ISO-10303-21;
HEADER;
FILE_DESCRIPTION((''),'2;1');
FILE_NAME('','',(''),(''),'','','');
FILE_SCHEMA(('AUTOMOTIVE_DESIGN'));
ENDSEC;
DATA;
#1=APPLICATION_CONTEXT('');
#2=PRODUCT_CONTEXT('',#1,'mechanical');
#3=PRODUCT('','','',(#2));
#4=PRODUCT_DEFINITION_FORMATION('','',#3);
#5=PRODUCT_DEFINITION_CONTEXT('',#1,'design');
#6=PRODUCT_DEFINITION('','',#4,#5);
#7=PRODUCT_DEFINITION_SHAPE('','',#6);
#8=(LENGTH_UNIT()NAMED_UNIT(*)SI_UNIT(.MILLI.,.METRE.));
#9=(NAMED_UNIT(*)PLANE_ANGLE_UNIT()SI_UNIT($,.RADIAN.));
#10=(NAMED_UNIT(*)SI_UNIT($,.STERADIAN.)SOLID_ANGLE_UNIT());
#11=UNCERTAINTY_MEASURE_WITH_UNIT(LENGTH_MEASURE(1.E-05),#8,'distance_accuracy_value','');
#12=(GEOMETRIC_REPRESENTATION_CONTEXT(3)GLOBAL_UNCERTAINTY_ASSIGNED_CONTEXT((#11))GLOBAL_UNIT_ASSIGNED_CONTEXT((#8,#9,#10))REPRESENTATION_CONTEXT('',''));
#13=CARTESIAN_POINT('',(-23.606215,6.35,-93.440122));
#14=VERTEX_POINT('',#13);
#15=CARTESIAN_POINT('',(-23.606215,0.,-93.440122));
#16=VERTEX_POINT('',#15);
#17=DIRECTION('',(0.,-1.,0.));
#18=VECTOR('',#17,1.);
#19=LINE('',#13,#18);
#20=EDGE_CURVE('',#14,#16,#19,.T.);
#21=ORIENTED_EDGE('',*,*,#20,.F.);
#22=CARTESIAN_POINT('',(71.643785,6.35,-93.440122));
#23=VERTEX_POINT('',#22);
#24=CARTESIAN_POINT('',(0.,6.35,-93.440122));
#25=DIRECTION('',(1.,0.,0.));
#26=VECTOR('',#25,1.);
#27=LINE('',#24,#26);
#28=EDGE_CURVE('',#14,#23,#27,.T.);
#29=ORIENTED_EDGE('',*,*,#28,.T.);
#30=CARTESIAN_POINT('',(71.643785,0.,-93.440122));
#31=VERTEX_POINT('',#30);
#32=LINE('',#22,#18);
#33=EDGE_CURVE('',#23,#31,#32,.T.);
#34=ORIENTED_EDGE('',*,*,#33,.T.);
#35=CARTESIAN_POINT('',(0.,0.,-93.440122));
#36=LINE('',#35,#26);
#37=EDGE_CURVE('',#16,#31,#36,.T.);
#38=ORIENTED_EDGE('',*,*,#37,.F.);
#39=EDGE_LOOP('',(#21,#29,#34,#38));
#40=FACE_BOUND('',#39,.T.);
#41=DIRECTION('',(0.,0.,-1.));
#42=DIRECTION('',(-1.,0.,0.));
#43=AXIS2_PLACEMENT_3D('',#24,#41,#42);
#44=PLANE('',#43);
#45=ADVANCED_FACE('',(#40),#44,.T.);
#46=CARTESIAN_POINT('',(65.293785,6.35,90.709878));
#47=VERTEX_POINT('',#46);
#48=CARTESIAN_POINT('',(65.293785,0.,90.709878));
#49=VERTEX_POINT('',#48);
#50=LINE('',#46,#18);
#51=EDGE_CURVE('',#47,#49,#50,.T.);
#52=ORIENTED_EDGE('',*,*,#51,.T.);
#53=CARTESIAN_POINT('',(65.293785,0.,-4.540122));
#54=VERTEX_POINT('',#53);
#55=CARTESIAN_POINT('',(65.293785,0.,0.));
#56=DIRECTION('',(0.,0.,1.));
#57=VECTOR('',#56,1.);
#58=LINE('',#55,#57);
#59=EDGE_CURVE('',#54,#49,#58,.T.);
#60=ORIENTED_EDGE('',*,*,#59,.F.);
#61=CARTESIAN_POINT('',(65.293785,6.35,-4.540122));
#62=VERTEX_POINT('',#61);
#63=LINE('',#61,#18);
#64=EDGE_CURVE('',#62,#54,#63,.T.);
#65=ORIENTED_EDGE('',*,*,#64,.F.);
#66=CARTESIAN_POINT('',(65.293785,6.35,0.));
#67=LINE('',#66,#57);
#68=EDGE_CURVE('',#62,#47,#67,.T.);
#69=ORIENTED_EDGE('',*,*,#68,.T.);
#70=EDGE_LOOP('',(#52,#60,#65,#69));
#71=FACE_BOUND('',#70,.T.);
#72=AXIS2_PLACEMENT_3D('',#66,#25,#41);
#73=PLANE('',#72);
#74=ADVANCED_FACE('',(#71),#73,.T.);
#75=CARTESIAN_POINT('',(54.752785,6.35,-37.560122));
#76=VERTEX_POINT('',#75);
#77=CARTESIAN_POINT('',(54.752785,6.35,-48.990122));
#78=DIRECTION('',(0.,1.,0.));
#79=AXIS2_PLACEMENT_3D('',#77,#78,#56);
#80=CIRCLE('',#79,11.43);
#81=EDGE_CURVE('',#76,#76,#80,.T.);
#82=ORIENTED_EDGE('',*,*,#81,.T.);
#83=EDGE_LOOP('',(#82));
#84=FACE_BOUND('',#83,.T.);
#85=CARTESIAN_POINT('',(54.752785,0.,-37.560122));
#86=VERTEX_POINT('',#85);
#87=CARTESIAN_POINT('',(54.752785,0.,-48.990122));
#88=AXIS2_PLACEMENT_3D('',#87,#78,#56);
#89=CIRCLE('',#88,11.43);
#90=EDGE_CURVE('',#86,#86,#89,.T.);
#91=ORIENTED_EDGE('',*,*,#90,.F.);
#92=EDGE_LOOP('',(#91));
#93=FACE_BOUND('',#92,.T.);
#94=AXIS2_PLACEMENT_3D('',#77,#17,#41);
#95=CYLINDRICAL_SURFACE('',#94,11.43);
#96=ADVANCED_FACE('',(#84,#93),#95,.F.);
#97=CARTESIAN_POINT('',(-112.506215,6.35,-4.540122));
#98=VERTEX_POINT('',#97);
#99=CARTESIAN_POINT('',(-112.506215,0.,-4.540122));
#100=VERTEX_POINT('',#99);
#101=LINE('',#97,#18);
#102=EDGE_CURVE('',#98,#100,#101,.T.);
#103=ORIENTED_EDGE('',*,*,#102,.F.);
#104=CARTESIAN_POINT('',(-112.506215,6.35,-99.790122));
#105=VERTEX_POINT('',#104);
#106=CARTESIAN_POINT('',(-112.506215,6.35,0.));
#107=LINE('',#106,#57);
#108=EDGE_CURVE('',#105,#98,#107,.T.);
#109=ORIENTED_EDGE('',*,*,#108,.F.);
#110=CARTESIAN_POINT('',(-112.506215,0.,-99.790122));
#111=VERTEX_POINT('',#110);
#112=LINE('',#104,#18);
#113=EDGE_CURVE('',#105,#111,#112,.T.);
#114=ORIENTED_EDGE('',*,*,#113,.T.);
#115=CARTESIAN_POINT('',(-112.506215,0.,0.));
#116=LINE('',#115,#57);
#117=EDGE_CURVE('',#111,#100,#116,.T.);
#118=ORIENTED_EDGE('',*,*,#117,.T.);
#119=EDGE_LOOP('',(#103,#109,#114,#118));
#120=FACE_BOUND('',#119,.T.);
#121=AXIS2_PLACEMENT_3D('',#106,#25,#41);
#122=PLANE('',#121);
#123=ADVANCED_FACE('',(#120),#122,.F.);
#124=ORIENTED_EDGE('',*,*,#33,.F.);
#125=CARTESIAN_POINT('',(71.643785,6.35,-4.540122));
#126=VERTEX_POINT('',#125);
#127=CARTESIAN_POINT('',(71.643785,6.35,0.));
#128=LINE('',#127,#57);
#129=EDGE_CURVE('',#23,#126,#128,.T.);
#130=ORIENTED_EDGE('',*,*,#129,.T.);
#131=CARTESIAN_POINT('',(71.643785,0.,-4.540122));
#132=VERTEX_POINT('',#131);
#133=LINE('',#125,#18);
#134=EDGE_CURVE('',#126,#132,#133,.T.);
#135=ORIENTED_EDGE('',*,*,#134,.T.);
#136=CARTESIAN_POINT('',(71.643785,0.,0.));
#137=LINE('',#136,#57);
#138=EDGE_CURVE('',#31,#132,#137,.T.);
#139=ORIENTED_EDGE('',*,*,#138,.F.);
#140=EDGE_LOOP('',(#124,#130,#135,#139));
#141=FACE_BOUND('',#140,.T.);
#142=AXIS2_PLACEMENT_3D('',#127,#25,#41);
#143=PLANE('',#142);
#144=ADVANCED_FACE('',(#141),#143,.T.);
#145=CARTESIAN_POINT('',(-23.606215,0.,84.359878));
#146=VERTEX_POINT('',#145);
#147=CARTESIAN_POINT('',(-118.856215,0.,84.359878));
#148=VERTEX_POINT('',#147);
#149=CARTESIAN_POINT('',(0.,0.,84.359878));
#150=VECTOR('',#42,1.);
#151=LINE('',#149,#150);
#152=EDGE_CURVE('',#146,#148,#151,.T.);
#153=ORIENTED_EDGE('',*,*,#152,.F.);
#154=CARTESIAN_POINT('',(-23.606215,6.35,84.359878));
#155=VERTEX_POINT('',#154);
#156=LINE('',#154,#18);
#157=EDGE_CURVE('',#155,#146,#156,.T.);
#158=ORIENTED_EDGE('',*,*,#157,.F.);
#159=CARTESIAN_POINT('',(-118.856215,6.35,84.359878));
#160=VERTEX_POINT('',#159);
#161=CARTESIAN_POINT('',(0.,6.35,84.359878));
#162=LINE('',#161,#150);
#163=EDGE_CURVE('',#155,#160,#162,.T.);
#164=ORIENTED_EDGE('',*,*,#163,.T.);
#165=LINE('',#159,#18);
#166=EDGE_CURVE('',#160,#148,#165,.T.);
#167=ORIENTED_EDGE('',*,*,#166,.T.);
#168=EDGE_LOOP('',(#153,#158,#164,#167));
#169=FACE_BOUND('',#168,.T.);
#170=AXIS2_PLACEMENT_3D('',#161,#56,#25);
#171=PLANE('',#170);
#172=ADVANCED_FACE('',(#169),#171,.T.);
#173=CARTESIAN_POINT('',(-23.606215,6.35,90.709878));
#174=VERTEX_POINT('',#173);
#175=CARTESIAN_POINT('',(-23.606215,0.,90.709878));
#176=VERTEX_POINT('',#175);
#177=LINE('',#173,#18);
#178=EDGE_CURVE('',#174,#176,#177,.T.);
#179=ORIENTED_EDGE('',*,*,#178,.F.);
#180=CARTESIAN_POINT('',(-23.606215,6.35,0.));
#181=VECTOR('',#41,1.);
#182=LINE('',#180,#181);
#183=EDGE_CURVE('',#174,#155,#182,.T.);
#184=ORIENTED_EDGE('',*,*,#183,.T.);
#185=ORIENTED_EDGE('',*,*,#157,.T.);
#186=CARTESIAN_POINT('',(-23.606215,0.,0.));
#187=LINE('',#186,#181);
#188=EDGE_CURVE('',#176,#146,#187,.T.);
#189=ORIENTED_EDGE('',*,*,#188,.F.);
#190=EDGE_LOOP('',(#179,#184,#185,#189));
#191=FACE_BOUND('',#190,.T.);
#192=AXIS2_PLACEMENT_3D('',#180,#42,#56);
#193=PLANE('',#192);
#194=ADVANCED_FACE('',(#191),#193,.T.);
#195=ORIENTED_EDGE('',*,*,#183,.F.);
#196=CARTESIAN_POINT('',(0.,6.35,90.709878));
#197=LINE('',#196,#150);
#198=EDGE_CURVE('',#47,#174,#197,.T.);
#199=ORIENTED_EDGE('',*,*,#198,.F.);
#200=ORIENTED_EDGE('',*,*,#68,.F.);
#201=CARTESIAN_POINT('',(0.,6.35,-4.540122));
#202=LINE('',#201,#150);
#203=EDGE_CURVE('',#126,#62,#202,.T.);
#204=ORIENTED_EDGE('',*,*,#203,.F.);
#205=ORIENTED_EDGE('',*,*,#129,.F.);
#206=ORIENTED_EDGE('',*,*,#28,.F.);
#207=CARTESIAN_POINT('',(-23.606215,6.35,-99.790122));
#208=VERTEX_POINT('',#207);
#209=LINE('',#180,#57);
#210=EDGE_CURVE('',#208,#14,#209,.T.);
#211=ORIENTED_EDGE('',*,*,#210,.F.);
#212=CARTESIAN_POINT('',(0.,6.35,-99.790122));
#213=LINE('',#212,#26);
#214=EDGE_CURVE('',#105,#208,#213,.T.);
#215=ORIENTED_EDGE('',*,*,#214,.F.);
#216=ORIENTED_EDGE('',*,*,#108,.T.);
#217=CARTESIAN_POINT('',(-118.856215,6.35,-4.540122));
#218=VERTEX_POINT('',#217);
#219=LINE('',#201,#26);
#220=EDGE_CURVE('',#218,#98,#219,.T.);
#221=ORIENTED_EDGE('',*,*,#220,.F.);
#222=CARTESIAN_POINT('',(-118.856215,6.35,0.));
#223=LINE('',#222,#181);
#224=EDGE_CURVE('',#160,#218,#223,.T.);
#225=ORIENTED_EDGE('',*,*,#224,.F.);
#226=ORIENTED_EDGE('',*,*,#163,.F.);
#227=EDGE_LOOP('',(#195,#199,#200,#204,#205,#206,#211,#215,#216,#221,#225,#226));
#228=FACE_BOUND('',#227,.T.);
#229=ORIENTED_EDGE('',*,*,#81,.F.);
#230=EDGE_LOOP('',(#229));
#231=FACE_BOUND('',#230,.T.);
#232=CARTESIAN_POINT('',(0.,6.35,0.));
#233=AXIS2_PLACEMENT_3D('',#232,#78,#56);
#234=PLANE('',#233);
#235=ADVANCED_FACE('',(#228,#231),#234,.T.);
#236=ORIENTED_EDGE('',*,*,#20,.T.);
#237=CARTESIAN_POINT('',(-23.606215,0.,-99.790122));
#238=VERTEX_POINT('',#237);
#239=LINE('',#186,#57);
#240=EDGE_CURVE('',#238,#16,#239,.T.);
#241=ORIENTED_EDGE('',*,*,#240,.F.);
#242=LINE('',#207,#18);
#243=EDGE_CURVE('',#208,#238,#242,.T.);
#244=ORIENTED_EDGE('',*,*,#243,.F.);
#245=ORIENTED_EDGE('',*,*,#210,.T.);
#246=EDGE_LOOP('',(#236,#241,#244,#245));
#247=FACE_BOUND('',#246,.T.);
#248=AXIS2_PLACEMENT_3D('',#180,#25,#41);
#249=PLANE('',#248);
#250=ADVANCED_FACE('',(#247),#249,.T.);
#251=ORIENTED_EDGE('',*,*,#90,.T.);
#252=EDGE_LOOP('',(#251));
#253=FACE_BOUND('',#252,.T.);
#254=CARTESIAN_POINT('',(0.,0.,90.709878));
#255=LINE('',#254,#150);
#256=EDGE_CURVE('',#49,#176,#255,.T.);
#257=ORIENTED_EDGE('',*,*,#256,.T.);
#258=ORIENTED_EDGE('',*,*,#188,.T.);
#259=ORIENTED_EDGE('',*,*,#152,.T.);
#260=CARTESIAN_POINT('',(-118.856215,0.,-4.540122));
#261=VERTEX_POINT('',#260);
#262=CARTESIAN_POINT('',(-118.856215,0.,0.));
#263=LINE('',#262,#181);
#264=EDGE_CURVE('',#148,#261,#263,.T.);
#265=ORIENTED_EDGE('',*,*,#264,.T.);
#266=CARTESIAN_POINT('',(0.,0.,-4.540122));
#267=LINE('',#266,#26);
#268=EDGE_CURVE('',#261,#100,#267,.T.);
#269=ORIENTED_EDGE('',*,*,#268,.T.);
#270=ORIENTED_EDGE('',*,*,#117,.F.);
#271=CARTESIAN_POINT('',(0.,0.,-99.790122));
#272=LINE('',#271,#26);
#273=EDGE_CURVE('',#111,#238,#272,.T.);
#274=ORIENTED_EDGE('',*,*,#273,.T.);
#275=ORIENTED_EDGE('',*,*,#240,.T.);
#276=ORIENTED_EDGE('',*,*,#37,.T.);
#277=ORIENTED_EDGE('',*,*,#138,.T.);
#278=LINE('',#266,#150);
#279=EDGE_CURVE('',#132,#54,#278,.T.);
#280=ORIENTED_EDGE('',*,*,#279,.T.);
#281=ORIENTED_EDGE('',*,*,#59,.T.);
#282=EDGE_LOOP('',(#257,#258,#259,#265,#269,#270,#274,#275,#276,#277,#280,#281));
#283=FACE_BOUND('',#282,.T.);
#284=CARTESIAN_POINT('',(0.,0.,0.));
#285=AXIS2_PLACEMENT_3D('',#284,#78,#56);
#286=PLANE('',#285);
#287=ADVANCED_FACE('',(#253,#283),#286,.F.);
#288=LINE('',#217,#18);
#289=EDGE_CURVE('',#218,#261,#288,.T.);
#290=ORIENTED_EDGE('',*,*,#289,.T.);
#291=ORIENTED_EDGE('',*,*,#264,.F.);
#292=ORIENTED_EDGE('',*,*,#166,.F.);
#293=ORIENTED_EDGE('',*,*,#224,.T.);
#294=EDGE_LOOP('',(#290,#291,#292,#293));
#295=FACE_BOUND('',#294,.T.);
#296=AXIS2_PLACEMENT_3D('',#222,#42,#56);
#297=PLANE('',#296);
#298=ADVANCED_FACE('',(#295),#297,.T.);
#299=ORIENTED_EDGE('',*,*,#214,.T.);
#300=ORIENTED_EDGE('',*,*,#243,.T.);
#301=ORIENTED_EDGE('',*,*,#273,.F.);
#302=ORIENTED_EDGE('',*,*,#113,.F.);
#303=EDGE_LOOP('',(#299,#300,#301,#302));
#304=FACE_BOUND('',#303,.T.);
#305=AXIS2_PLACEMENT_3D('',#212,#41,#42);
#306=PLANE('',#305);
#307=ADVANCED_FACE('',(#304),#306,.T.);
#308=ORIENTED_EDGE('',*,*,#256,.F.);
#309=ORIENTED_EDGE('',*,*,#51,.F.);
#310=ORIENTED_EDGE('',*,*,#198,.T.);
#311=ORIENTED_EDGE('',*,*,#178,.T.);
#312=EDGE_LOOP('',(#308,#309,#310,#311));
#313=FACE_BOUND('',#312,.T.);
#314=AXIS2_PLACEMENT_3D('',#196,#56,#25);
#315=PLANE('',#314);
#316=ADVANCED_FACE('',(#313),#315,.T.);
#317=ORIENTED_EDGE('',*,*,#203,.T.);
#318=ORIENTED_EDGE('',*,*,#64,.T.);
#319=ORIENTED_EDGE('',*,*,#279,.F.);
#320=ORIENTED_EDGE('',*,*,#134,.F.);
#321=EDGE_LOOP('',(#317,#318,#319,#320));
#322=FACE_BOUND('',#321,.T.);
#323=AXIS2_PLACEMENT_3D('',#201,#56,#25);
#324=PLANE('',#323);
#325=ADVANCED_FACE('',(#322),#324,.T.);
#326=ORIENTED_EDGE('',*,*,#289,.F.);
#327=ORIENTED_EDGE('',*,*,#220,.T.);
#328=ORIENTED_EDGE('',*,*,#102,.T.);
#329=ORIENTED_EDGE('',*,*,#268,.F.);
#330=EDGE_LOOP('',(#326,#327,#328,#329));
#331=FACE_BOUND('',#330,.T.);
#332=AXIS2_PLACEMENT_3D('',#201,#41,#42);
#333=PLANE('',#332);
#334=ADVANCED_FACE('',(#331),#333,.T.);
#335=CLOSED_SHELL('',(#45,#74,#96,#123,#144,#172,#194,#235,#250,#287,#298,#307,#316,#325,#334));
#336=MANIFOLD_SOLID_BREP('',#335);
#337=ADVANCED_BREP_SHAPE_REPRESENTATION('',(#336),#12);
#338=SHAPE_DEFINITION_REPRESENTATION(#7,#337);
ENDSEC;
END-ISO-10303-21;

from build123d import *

# Parameters (mm, degrees)
SKETCH1_R           = 11.43
BOSS_EXTRUDE1_DEPTH = 6.35


with BuildPart() as part:
    # Sketch1 → Boss-Extrude1 (new body)
    with BuildSketch(Plane(origin=(0, 0, 0), x_dir=(1, 0, 0), z_dir=(0, 1, 0))):
        Polygon((-112.506214689, 99.790121605), (-112.506214689, 4.540121605), (-118.856214689, 4.540121605), (-118.856214689, -84.359878395), (-23.606214689, -84.359878395), (-23.606214689, -90.709878395), (65.293785311, -90.709878395), (65.293785311, 4.540121605), (71.643785311, 4.540121605), (71.643785311, 93.440121605), (-23.606214689, 93.440121605), (-23.606214689, 99.790121605), align=None)
        with Locations(Location((54.752785311, 48.990121605, 0), (0, 0, 270))):
            Circle(SKETCH1_R, mode=Mode.SUBTRACT)
    extrude(amount=BOSS_EXTRUDE1_DEPTH)


solid = part.part
